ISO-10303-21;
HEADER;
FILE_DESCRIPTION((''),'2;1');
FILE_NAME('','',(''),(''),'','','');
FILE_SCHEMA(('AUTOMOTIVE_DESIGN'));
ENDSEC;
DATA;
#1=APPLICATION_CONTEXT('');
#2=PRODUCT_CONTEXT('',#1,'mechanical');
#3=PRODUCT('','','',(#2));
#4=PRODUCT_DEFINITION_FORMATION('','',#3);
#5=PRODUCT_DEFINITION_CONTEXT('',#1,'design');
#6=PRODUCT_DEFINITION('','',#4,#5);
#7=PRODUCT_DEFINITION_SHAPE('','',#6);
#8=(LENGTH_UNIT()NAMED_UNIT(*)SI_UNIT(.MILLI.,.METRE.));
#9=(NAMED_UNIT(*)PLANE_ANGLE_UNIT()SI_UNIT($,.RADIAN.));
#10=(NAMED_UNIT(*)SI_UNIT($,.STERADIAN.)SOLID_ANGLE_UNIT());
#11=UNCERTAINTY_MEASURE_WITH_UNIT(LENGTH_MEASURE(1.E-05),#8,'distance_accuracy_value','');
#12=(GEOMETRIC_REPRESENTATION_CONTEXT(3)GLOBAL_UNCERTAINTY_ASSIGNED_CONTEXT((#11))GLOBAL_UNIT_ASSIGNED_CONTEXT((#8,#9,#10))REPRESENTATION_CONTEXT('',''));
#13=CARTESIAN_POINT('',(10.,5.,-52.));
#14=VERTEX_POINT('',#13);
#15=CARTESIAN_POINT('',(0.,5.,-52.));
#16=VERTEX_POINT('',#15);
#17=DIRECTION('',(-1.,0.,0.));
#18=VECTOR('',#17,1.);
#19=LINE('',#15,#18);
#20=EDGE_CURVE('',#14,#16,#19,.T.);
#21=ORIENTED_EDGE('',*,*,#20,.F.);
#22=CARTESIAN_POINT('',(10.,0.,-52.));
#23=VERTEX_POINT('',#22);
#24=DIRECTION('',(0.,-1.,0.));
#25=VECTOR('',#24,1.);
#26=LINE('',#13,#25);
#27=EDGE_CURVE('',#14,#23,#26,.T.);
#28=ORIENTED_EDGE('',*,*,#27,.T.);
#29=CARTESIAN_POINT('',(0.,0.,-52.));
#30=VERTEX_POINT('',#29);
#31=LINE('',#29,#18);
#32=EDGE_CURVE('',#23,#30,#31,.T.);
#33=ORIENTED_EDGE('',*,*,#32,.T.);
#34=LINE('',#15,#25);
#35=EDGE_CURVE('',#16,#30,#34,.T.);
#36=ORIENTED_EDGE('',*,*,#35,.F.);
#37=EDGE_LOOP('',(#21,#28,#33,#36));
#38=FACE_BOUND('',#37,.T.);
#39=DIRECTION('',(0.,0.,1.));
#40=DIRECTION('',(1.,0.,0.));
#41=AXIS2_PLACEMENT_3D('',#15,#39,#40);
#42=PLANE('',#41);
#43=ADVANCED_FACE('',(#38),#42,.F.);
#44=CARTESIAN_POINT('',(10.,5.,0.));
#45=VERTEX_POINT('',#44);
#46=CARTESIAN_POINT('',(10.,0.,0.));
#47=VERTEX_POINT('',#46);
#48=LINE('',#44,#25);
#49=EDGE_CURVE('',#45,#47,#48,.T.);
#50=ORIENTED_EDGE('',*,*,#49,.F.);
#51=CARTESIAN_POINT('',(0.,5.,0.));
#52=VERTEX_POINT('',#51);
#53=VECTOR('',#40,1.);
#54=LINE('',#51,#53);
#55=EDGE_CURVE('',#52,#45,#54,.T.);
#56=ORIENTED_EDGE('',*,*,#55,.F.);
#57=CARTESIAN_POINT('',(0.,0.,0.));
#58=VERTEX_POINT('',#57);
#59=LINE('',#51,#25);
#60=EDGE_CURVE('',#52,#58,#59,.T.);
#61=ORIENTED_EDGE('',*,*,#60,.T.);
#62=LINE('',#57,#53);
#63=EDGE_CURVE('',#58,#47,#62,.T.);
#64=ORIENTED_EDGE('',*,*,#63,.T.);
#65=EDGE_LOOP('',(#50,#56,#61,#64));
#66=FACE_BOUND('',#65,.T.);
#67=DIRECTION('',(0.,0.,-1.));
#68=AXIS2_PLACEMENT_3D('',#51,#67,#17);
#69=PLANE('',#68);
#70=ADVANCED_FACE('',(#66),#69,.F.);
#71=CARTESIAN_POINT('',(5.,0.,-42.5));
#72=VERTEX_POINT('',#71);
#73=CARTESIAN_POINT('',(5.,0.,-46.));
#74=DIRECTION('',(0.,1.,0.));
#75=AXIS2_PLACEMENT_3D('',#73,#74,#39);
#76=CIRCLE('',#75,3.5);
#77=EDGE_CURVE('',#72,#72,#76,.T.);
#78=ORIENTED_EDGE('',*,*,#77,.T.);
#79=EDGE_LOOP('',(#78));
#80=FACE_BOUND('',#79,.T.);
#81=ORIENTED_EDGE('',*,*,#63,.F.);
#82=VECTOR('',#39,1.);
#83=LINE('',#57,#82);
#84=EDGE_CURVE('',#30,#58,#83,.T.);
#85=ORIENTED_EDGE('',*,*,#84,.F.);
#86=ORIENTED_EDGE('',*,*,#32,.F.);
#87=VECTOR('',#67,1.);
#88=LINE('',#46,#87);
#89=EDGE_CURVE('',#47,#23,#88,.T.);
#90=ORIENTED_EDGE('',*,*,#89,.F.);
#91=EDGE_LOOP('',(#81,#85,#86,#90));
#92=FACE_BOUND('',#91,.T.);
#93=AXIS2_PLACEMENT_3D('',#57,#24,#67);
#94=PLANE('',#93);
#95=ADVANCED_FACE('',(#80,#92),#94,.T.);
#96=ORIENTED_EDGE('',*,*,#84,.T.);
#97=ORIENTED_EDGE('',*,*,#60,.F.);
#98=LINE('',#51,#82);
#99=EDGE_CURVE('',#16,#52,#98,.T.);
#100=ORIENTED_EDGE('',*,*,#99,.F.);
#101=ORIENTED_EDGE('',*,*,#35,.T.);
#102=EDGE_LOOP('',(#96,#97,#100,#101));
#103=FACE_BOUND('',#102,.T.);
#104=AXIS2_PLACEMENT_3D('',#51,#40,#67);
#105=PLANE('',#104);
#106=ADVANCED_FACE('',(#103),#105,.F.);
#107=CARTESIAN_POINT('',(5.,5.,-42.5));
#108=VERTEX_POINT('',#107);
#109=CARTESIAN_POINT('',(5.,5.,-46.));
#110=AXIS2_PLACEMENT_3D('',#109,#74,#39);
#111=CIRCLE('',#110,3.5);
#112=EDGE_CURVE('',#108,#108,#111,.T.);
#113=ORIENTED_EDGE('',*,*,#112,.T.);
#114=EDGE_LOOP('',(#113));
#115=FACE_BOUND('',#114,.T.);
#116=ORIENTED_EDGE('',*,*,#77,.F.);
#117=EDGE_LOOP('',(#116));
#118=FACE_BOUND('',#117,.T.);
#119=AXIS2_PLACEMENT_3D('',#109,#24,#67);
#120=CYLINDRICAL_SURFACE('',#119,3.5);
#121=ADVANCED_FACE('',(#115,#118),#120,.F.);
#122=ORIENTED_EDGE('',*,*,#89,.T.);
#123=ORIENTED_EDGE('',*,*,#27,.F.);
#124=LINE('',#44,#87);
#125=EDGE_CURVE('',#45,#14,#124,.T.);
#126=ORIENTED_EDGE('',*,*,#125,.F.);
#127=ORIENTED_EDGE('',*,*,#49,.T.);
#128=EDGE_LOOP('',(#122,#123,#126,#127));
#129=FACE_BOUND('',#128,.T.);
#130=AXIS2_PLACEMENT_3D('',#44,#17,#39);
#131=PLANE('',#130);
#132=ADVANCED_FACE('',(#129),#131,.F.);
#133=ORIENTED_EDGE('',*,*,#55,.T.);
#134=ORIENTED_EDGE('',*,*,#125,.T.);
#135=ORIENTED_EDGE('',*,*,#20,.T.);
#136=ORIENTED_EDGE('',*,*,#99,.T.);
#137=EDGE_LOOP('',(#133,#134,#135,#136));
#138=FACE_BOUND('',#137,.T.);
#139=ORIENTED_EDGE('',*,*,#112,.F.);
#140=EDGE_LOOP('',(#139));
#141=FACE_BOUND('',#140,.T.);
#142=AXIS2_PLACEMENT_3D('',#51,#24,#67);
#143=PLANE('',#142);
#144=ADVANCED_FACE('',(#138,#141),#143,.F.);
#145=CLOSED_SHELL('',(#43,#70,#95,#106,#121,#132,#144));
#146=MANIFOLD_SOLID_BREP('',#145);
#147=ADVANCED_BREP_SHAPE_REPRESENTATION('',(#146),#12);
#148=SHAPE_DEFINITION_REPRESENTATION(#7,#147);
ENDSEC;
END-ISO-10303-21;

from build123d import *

# Parameters (mm, degrees)
SKETCH1_W           = 10
SKETCH1_H           = 52
SKETCH1_R           = 3.5
BOSS_EXTRUDE1_DEPTH = 5


with BuildPart() as part:
    # Sketch1 → Boss-Extrude1 (new body)
    with BuildSketch(Plane(origin=(0, 0, 0), x_dir=(1, 0, 0), z_dir=(0, 1, 0))):
        with Locations((5, 26)):
            Rectangle(SKETCH1_W, SKETCH1_H)
        with Locations(Location((5, 46, 0), (0, 0, 270))):
            Circle(SKETCH1_R, mode=Mode.SUBTRACT)
    extrude(amount=BOSS_EXTRUDE1_DEPTH)


solid = part.part
